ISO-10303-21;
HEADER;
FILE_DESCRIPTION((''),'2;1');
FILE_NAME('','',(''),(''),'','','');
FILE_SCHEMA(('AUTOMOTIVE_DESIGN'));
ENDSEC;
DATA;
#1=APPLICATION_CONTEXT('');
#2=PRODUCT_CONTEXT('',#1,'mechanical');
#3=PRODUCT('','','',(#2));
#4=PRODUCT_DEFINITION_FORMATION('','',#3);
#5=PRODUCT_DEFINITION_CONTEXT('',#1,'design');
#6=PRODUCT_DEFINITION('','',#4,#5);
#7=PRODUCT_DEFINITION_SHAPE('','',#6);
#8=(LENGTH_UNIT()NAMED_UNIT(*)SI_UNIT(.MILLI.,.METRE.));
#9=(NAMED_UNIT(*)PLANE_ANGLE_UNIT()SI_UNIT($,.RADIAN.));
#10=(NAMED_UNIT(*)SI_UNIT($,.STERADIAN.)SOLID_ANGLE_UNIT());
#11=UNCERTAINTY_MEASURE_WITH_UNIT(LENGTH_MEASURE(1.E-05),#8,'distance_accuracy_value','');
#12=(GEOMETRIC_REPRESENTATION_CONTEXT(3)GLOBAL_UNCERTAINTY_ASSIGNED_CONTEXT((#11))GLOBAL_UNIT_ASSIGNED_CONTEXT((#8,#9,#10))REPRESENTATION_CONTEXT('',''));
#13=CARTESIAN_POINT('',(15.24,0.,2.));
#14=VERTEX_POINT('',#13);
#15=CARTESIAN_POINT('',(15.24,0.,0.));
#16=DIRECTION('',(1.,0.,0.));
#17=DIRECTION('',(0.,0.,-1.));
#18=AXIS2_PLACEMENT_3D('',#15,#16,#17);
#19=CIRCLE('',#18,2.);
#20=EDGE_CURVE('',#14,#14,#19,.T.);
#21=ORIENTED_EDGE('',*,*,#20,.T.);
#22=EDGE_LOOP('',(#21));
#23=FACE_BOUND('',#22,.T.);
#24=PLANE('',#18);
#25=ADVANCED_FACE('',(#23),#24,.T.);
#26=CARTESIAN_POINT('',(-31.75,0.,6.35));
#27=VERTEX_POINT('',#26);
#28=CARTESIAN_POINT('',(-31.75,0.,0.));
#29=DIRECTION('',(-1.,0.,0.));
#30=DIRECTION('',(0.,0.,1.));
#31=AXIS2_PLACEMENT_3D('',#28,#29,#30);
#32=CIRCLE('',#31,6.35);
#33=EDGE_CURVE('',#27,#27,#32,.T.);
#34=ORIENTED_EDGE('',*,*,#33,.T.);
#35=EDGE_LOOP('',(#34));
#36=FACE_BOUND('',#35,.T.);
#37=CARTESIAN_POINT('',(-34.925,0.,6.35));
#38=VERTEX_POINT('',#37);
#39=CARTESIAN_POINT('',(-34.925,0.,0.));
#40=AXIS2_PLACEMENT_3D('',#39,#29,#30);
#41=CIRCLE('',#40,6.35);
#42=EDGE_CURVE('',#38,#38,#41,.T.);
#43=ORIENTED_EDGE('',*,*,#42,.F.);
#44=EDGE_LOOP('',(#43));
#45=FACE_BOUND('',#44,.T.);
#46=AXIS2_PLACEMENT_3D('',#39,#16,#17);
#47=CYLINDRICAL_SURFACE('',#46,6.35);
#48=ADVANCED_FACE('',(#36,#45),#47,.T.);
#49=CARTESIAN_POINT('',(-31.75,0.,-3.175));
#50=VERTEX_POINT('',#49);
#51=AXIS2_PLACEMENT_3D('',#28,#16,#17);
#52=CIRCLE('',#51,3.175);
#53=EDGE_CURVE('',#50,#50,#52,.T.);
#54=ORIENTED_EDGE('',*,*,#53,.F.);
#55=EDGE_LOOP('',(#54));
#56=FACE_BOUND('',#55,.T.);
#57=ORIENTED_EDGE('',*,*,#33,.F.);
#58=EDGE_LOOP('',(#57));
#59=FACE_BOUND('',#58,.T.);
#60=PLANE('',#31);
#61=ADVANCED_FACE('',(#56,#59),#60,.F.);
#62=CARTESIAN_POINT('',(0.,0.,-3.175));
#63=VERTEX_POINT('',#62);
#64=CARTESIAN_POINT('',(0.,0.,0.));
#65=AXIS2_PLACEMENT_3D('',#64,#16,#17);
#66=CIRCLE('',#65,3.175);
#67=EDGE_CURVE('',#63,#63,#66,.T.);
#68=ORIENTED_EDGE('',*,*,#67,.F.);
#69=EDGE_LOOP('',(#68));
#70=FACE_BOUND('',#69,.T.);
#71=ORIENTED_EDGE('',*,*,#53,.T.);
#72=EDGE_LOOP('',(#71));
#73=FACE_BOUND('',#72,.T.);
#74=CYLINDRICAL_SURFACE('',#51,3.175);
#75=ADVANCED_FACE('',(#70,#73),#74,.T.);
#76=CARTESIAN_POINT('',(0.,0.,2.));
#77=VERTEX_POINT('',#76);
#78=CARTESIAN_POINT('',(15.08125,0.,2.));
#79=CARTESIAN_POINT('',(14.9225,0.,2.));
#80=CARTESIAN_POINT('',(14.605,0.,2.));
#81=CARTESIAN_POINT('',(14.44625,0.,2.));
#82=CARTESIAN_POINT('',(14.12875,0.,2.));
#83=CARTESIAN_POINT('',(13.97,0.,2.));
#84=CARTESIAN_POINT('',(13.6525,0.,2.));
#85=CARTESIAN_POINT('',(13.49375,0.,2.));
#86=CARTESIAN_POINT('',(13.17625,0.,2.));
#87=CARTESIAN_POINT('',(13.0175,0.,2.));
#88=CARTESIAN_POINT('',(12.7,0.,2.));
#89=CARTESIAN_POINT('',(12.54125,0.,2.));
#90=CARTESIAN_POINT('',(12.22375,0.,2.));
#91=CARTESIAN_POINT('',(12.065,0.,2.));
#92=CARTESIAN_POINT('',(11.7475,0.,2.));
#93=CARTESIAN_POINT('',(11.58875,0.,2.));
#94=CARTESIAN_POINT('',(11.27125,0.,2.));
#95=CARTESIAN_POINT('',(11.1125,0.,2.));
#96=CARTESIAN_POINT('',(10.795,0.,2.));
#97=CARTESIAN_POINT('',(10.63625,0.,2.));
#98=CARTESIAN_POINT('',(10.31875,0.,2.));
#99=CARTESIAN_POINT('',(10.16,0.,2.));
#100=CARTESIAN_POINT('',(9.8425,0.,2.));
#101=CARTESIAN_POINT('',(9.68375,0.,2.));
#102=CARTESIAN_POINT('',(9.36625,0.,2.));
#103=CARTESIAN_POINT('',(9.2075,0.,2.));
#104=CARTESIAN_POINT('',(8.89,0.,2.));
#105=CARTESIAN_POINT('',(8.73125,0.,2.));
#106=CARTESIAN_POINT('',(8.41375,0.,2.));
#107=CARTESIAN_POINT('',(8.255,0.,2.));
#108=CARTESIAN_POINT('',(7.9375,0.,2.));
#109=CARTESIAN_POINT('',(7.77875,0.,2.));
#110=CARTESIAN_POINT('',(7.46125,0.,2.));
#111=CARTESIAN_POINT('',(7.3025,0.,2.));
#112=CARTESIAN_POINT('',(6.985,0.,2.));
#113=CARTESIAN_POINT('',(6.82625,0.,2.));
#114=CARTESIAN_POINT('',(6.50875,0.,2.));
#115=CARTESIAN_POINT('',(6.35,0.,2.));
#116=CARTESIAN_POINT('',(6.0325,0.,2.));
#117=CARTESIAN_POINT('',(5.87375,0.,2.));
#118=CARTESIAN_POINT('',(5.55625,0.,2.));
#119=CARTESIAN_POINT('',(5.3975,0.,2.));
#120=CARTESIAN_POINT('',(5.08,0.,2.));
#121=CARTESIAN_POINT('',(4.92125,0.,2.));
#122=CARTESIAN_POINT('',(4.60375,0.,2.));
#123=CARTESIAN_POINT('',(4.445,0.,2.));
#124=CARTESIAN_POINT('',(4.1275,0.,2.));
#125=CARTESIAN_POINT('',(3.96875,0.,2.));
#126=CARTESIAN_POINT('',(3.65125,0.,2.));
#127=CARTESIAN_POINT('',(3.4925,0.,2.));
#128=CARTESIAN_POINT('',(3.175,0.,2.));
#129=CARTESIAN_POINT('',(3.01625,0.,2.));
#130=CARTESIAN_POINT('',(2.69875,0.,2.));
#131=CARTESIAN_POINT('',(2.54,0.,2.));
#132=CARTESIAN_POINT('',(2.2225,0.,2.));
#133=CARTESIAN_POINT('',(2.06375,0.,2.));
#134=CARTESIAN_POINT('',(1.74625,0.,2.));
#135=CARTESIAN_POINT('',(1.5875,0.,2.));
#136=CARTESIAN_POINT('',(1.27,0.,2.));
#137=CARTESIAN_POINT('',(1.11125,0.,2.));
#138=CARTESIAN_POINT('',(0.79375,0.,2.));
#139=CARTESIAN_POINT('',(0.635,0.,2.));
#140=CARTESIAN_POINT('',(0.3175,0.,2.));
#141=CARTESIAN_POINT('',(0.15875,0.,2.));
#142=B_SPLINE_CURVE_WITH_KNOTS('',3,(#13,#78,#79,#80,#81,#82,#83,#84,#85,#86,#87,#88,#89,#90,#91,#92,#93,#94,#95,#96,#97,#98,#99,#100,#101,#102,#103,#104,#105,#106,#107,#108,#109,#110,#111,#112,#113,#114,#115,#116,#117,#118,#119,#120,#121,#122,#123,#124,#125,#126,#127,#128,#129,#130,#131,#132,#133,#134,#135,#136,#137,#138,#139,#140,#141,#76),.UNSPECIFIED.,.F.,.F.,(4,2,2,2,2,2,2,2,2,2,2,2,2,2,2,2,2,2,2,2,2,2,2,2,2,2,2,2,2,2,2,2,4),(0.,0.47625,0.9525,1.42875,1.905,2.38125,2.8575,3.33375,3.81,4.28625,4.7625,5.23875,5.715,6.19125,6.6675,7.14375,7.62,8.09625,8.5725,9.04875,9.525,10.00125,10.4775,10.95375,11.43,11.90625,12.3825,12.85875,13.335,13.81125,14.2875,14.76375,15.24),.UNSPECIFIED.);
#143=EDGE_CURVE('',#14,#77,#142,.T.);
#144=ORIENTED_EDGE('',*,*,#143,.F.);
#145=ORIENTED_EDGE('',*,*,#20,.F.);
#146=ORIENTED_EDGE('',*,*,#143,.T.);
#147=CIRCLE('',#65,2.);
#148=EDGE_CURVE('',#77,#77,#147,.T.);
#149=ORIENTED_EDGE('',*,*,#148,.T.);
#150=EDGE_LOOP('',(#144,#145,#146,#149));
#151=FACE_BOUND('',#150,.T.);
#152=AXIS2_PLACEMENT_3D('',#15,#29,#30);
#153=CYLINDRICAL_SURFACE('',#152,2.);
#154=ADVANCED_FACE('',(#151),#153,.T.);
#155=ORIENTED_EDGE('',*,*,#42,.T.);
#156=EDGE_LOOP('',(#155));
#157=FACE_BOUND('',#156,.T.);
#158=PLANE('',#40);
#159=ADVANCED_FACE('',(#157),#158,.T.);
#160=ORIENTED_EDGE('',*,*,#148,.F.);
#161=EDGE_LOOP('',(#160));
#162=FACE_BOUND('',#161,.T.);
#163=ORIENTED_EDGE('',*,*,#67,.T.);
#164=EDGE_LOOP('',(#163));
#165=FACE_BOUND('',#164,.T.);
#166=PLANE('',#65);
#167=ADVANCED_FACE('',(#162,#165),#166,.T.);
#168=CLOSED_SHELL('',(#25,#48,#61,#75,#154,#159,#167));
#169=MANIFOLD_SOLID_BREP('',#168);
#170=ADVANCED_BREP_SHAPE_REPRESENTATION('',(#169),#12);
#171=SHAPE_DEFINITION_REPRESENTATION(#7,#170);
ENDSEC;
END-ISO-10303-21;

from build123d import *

# Parameters (mm, degrees)
SKETCH1_R           = 2
BOSS_EXTRUDE1_DEPTH = 15.24
SKETCH1_3_R         = 3.175
BOSS_EXTRUDE2_DEPTH = 31.75
SKETCH2_R           = 6.35
BOSS_EXTRUDE3_DEPTH = 3.175


with BuildPart() as part:
    # Sketch1 → Boss-Extrude1 (new body)
    with BuildSketch(Plane(origin=(0, 0, 0), x_dir=(0, 0, -1), z_dir=(1, 0, 0))):
        Circle(SKETCH1_R)
    extrude(amount=BOSS_EXTRUDE1_DEPTH)

    # Sketch1<3> → Boss-Extrude2 (add)
    with BuildSketch(Plane(origin=(0, 0, 0), x_dir=(0, 0, -1), z_dir=(1, 0, 0))):
        Circle(SKETCH1_3_R)
    extrude(amount=-BOSS_EXTRUDE2_DEPTH)

    # Sketch2 → Boss-Extrude3 (add)
    with BuildSketch(Plane.ZY.offset(31.75)):
        Circle(SKETCH2_R)
    extrude(amount=BOSS_EXTRUDE3_DEPTH)


solid = part.part
